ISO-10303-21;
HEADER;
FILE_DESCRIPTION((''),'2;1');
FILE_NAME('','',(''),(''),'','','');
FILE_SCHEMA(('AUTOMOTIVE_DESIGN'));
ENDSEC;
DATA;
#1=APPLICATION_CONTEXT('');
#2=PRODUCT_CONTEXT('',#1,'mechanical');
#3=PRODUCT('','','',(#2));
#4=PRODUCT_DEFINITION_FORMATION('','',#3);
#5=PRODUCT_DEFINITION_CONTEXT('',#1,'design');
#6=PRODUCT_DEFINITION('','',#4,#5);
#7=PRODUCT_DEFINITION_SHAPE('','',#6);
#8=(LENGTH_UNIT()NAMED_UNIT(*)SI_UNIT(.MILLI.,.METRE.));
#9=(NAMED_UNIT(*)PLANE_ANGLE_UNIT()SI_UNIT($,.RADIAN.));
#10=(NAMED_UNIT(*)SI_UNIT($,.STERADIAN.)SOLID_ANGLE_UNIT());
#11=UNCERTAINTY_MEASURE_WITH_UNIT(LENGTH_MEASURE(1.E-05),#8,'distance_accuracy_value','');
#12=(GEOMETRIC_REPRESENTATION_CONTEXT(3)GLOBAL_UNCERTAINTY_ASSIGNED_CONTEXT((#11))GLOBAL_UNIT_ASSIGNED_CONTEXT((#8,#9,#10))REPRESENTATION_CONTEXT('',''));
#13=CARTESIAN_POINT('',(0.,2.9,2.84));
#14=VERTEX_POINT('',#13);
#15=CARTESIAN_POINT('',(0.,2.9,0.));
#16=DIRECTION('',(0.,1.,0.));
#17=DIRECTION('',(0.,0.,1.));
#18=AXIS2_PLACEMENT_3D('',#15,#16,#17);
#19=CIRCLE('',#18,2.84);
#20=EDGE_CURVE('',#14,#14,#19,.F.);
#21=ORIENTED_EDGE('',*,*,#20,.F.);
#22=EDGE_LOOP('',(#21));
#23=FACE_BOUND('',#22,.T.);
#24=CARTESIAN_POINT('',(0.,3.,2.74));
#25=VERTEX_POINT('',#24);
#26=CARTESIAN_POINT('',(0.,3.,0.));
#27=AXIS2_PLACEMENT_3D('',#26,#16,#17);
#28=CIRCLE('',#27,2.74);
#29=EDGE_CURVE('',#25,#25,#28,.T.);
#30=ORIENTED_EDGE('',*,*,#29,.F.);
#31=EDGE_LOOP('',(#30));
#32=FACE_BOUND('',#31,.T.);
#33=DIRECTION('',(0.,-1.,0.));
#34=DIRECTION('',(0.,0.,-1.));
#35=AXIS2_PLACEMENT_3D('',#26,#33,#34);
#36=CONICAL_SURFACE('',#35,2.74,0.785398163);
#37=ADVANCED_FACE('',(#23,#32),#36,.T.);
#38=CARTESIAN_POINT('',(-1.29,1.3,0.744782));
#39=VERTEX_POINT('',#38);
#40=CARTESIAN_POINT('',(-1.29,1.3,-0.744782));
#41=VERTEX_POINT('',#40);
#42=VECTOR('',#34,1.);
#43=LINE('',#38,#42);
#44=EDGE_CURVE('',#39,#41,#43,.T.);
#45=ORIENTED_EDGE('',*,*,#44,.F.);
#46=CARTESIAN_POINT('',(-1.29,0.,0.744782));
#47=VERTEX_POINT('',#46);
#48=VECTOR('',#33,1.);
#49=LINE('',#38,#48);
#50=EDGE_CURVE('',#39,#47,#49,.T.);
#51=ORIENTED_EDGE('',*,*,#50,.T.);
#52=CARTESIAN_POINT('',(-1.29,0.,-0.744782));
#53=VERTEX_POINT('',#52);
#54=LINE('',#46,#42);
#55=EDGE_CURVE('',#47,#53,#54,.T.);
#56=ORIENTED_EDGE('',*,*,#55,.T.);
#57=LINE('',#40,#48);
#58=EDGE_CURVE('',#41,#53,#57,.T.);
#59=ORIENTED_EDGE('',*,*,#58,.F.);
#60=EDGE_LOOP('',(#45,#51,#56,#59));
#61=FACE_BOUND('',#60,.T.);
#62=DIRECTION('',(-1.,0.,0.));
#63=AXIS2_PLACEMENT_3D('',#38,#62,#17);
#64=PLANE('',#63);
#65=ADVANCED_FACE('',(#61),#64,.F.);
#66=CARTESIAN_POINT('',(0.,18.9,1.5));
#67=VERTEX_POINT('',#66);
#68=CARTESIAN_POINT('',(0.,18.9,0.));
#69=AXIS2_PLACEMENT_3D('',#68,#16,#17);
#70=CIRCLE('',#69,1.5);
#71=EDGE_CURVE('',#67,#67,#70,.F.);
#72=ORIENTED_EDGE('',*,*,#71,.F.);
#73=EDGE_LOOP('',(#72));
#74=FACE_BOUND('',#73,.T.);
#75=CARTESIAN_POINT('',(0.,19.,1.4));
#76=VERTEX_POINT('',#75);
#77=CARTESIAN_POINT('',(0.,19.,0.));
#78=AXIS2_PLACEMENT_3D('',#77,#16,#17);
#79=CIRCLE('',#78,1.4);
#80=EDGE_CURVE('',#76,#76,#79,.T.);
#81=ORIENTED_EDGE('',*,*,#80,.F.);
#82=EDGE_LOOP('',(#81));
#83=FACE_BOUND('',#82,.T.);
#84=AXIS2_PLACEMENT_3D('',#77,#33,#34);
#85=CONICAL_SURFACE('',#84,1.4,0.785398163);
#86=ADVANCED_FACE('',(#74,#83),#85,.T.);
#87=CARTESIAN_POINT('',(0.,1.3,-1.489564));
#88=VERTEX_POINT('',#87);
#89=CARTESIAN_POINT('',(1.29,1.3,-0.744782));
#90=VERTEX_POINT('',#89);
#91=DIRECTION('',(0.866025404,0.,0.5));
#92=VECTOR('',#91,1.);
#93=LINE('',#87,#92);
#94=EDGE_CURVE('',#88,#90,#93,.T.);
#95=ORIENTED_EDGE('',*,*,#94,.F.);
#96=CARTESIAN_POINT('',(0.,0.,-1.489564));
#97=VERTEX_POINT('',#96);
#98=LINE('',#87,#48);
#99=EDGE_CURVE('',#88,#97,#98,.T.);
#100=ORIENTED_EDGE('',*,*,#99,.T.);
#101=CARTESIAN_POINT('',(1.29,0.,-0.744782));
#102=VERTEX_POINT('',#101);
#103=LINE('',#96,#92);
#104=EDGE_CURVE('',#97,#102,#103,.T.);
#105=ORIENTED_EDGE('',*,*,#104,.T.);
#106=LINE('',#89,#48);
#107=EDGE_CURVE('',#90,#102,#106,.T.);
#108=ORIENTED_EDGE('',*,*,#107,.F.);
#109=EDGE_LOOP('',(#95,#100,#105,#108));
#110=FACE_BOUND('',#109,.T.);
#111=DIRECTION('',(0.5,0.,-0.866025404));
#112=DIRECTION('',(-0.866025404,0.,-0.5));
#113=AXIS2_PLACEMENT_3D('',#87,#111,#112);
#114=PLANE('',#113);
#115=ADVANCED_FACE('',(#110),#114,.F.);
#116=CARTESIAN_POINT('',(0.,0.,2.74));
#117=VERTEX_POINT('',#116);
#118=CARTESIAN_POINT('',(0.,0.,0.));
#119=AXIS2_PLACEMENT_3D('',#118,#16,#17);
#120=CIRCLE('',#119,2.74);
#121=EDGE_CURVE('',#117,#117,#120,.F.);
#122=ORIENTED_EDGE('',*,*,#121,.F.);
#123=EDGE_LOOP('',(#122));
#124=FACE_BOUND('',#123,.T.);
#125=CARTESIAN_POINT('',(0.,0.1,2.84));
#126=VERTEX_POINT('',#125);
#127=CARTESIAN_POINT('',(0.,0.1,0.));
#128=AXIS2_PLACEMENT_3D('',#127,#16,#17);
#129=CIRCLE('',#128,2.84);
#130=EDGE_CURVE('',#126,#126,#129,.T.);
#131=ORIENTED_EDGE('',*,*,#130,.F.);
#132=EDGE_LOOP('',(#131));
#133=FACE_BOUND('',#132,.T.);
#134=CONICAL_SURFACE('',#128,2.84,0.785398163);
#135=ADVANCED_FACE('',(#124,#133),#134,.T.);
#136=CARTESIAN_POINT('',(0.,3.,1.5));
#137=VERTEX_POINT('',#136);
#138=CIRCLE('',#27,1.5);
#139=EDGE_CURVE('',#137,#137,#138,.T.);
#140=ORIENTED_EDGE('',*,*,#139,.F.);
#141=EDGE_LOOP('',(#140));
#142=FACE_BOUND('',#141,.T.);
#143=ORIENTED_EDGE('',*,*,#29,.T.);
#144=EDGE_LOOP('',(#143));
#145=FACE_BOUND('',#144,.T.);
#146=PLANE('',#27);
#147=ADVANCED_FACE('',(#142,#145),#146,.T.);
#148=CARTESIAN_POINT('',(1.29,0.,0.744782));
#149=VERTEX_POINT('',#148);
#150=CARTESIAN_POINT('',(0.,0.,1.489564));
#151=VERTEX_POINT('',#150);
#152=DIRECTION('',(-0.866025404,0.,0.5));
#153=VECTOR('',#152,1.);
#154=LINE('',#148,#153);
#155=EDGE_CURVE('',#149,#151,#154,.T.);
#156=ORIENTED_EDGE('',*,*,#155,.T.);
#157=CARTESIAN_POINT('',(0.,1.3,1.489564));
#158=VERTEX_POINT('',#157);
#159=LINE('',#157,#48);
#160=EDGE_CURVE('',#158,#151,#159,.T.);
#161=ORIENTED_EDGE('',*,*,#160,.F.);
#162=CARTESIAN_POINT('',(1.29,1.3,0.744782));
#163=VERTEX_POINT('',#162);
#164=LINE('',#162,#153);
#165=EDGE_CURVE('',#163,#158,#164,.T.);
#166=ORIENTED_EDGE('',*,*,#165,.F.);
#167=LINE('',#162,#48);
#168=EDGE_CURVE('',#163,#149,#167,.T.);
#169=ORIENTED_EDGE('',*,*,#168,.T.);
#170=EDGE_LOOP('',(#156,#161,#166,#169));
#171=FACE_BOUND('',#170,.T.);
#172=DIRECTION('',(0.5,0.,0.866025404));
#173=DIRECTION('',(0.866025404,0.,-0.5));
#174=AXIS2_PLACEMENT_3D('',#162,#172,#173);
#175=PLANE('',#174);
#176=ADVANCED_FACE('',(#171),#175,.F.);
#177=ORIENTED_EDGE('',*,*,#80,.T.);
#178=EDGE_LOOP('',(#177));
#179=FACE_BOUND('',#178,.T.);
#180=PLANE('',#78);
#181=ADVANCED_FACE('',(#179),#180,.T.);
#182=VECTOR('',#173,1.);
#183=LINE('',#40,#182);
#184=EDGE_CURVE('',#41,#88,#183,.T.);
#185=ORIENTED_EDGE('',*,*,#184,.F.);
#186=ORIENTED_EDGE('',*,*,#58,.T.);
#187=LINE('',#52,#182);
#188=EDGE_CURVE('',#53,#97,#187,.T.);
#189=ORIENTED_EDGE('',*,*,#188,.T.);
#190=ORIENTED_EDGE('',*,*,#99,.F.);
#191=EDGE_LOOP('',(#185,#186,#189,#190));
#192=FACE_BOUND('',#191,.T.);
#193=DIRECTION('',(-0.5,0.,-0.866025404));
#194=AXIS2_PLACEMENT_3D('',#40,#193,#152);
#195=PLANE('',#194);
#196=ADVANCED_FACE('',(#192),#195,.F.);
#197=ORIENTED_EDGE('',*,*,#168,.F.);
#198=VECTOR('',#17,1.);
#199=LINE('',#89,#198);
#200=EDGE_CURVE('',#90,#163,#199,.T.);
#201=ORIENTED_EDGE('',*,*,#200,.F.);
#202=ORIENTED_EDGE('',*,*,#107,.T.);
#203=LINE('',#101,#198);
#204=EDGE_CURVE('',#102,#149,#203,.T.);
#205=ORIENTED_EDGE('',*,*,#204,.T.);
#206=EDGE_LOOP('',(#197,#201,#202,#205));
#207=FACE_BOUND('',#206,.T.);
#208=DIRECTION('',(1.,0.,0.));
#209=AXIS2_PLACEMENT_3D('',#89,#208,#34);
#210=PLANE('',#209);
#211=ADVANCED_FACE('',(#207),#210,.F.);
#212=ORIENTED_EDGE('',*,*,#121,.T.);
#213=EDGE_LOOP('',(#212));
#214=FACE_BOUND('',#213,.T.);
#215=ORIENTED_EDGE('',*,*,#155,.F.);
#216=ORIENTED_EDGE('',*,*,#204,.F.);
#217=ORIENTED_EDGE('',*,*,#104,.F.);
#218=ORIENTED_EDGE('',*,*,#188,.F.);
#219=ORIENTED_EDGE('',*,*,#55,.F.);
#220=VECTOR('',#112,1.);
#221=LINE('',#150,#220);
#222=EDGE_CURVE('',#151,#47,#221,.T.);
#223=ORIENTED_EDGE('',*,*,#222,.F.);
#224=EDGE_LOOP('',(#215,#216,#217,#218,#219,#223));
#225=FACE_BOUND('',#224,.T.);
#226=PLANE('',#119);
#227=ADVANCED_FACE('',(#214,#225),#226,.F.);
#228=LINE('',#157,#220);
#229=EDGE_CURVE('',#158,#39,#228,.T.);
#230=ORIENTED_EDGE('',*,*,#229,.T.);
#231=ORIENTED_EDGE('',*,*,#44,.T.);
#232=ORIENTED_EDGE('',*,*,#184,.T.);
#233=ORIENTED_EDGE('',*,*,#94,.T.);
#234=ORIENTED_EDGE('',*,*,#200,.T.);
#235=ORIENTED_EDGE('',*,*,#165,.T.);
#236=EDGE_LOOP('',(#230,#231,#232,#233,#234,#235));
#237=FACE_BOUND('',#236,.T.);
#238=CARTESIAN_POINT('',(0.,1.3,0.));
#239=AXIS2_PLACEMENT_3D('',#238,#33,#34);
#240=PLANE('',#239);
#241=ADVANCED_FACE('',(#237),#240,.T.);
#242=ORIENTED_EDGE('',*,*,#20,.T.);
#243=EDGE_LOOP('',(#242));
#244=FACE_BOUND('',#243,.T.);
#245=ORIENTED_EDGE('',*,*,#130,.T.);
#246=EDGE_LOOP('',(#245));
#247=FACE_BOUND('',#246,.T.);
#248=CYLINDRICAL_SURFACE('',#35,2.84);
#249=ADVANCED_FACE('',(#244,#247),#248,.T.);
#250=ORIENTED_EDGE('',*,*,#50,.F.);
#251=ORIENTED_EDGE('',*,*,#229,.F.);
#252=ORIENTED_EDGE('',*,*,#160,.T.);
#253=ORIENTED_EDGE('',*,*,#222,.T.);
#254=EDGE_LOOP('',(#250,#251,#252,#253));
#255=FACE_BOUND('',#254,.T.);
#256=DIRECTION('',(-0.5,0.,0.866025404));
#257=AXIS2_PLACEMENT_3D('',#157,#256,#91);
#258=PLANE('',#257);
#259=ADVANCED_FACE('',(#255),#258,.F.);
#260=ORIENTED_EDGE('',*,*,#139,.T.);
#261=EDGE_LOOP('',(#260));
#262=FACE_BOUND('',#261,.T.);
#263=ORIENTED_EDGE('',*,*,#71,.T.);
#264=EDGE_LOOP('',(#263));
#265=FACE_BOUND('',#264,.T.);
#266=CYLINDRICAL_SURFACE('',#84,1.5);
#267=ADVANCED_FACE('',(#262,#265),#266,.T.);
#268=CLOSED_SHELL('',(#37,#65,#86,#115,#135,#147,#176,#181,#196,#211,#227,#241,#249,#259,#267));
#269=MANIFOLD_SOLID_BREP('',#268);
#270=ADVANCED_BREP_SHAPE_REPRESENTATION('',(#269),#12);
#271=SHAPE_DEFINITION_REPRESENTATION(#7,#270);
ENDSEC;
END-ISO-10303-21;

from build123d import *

# Parameters (mm, degrees)
SKETCH_1_R            = 2.84
EXTRUDE_261_DEPTH     = 3
SKETCH_2_R            = 1.5
EXTRUDE_346_DEPTH     = 16
CUT_EXTRUDE_530_DEPTH = 1.3
CHAMFER_592_SIZE      = 0.1


with BuildPart() as part:
    # 草图1 → Extrude 261 (new body)
    with BuildSketch(Plane(origin=(0, 0, 0), x_dir=(1, 0, 0), z_dir=(0, 1, 0))):
        with Locations(Location((0, 0, 0), (0, 0, 270))):
            Circle(SKETCH_1_R)
    extrude(amount=EXTRUDE_261_DEPTH)

    # 草图2 → Extrude 346 (add)
    with BuildSketch(Plane(origin=(0, 3, 0), x_dir=(1, 0, 0), z_dir=(0, 1, 0))):
        with Locations(Location((0, 0, 0), (0, 0, 270))):
            Circle(SKETCH_2_R)
    extrude(amount=EXTRUDE_346_DEPTH)

    # 草图3 → Cut-Extrude 530 (cut)
    with BuildSketch(Plane.XZ):
        Polygon((1.29, -0.744781847), (1.29, 0.744781847), (0, 1.489563695), (-1.29, 0.744781847), (-1.29, -0.744781847), (0, -1.489563695), align=None)
    extrude(amount=-CUT_EXTRUDE_530_DEPTH, mode=Mode.SUBTRACT)

    # Chamfer 592
    chamfer_592_edges = [part.edges().sort_by_distance(p)[0] for p in [
        (0, 0, -2.84),
        (0, 3, -2.84),
        (0, 19, -1.5),
    ]]
    chamfer(chamfer_592_edges, length=CHAMFER_592_SIZE)


solid = part.part
